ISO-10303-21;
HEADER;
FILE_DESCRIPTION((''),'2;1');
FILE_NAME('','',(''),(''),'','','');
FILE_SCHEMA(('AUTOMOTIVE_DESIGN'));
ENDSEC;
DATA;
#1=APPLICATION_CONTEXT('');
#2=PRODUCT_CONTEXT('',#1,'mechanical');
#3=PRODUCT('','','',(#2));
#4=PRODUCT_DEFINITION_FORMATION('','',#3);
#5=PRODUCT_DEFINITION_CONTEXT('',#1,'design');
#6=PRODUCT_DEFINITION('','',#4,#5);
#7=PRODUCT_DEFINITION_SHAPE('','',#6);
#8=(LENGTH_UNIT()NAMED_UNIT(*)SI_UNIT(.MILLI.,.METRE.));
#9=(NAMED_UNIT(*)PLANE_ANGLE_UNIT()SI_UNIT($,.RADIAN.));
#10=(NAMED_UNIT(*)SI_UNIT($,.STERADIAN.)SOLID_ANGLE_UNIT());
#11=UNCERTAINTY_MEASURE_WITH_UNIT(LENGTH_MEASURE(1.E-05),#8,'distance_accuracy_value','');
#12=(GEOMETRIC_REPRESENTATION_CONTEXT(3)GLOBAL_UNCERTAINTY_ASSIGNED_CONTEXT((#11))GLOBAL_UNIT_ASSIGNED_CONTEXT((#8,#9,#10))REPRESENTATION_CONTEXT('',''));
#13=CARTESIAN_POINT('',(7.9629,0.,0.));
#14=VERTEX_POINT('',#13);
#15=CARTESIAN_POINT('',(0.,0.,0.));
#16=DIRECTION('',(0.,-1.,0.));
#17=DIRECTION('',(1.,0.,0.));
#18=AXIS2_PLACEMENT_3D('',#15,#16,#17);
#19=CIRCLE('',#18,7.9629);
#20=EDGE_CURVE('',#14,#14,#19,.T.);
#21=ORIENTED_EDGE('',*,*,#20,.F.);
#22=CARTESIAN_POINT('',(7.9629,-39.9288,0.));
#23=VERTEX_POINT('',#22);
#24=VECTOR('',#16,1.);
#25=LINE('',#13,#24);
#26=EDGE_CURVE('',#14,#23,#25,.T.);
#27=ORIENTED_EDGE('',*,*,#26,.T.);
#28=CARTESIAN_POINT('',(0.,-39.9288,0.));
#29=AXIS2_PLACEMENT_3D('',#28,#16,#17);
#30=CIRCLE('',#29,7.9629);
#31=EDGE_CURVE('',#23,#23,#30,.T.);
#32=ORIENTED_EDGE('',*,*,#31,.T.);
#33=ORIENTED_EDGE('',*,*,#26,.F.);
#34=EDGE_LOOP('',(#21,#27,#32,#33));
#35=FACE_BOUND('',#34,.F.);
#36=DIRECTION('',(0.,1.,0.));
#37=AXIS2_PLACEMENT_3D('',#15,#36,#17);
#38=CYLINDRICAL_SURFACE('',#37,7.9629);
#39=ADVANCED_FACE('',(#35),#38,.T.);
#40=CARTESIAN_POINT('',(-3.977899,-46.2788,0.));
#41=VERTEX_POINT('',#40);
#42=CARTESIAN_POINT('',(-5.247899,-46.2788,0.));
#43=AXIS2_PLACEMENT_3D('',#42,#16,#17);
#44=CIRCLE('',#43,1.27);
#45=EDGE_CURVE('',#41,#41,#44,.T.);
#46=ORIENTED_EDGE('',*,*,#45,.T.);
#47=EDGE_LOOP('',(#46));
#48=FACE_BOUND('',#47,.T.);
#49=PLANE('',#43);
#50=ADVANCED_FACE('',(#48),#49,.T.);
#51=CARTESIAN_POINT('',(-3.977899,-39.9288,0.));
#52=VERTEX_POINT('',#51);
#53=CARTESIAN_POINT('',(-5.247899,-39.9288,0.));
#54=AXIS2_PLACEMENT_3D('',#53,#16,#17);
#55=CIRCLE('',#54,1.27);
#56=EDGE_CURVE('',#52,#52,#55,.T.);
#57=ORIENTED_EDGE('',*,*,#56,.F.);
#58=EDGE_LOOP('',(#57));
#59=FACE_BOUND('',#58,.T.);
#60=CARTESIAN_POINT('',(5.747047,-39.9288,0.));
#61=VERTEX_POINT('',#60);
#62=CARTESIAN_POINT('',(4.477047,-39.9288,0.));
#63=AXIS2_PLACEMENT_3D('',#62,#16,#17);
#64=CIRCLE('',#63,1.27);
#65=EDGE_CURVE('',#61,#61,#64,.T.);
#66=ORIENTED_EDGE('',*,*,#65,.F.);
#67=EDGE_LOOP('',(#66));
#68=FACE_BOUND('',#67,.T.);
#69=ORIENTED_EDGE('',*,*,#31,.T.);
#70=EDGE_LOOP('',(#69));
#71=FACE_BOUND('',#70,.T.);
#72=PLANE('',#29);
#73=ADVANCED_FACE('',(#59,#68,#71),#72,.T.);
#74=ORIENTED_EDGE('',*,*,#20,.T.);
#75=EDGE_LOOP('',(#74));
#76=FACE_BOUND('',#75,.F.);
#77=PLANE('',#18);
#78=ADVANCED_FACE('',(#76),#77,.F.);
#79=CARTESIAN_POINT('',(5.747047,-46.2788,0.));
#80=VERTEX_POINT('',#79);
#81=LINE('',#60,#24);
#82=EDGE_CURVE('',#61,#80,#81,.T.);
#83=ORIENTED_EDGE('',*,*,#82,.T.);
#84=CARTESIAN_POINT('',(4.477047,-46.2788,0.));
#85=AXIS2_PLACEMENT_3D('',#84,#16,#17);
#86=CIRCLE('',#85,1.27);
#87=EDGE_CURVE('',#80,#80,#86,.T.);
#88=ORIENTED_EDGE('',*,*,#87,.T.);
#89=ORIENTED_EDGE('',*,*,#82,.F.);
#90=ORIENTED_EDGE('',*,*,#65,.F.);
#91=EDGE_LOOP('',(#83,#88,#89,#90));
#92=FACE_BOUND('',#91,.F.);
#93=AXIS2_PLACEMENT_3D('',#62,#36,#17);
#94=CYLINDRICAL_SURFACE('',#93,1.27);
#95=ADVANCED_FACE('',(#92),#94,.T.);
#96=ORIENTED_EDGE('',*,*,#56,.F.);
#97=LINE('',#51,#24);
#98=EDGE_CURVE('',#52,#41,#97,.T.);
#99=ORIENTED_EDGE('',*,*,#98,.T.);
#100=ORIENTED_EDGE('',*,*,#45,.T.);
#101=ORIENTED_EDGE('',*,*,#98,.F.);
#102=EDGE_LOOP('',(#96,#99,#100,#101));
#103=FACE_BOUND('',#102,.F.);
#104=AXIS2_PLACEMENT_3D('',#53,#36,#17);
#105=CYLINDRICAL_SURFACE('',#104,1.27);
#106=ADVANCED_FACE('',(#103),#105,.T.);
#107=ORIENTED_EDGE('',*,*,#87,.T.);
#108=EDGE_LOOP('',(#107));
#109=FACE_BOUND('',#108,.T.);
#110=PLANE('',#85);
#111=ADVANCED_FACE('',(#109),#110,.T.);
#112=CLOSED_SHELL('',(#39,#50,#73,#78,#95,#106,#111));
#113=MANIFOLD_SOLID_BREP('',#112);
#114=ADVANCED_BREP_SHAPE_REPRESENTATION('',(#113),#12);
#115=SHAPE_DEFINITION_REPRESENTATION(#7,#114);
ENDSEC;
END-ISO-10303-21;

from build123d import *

# Parameters (mm, degrees)
F0_R     = 7.9629
F1_DEPTH = 39.9288
F2_R     = 1.27
F3_DEPTH = 6.35


with BuildPart() as f1:
    # F0 (on Front) → F1 (new body)
    with BuildSketch(Plane.XZ):
        Circle(F0_R)
    extrude(amount=F1_DEPTH)

    # F2 (on face) → F3 (join)
    with BuildSketch(Plane.XZ.offset(39.9288)):
        with Locations((-5.247899, 0)):
            Circle(F2_R)
        with Locations((4.477047, 0)):
            Circle(F2_R)
    extrude(amount=F3_DEPTH)


solid = f1.part
